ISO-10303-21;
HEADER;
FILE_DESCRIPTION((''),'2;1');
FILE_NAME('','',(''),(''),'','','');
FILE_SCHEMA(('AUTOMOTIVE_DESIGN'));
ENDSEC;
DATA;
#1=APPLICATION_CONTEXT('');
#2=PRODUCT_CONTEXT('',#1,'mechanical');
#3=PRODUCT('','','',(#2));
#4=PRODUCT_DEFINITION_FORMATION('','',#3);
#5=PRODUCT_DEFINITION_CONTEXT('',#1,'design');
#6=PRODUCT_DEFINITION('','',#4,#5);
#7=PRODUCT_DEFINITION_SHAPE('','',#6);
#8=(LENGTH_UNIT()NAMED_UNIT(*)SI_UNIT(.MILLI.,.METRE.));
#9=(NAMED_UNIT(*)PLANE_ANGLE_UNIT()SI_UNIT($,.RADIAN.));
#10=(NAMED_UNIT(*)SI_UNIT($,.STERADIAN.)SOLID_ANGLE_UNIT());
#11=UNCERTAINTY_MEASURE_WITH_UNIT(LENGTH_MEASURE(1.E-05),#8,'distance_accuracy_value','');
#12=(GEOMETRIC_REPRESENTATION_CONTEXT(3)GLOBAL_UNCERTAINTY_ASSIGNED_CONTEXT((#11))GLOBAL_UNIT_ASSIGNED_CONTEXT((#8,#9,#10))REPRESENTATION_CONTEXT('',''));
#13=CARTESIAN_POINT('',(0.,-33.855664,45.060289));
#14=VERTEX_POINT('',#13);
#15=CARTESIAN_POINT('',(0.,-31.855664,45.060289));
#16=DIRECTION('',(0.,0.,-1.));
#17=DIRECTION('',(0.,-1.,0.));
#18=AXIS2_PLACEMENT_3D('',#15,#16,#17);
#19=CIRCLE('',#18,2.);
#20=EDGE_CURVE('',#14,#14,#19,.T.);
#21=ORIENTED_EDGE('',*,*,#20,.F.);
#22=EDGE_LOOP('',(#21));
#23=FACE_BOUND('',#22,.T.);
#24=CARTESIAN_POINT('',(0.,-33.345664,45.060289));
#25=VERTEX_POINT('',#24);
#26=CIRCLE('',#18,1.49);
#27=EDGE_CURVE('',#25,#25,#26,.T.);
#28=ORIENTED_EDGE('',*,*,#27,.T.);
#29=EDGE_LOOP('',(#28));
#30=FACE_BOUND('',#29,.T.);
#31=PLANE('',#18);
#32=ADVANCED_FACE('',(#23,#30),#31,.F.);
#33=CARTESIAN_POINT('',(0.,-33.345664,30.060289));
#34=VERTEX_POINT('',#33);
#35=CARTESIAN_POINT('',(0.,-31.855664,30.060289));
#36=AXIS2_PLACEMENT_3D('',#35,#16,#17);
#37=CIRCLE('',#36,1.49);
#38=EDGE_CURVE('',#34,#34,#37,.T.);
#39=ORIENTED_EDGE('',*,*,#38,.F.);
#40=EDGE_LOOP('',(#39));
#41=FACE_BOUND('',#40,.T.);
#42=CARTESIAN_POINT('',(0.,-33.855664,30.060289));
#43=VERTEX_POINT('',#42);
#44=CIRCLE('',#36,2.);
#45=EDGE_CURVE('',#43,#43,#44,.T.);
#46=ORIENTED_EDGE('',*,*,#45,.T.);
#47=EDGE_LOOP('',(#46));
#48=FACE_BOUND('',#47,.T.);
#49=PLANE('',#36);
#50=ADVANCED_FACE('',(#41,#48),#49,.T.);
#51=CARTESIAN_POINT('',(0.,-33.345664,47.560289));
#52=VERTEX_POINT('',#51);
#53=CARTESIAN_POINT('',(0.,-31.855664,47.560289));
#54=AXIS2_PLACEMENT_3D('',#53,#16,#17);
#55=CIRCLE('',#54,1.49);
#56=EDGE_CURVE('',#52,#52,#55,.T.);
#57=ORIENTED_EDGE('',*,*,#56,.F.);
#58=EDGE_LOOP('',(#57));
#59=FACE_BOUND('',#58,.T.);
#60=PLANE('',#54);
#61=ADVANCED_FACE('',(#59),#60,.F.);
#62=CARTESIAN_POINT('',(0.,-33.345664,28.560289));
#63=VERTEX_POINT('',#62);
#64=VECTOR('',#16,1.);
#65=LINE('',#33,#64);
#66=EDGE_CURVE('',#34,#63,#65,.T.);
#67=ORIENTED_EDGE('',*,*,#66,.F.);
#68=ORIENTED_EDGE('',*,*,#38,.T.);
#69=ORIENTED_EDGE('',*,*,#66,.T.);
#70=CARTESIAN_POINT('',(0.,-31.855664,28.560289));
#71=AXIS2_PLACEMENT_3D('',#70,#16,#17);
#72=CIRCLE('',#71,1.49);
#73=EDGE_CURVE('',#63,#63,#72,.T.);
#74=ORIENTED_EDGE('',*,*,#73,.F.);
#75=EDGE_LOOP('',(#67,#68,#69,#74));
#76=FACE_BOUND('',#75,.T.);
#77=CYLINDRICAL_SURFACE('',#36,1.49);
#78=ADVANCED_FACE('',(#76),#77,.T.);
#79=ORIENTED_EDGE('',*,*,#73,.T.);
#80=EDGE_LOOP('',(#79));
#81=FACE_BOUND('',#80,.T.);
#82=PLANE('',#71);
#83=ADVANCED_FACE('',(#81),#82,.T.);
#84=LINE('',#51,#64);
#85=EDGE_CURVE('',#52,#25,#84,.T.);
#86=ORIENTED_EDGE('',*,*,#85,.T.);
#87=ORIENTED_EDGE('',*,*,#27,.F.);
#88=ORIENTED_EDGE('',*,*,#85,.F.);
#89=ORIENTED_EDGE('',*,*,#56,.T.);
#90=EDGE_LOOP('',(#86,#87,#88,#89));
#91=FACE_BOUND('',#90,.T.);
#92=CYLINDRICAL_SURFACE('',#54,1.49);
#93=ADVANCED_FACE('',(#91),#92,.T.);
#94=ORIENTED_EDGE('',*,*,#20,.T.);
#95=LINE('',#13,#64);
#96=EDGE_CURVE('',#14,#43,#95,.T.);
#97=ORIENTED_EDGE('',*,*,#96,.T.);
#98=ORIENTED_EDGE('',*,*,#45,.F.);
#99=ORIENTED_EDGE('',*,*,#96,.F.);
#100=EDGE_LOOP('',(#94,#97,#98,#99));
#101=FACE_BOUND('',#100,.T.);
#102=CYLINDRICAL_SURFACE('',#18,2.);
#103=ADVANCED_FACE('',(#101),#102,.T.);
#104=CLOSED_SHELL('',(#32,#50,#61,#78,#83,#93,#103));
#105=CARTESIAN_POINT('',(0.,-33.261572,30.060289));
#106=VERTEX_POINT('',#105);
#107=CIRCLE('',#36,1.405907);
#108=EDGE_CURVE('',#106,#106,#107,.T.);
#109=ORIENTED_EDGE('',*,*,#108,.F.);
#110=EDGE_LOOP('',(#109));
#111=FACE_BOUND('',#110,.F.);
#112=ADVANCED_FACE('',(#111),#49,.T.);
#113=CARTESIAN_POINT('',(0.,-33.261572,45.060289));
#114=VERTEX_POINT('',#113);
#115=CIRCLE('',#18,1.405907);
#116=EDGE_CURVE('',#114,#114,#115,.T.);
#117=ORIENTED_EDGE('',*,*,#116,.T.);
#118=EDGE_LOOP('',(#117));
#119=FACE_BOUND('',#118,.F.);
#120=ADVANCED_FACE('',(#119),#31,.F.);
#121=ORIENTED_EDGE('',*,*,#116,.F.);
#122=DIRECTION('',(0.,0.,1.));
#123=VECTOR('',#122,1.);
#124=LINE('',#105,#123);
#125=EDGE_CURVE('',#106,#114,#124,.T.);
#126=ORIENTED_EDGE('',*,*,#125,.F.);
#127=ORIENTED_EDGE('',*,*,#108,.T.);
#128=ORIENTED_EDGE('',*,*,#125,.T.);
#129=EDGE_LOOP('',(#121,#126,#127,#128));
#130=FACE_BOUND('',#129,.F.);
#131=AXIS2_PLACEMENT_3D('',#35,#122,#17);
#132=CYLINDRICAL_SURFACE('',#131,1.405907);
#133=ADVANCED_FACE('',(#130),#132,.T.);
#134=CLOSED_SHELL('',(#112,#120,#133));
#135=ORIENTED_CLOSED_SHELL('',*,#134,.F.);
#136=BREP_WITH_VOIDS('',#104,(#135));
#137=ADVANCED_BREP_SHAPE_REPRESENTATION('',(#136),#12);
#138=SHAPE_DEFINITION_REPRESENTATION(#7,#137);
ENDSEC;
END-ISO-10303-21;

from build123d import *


with BuildPart() as f1:
    # F0 (on Right) → F1 (revolve)
    with BuildSketch(Plane.YZ):
        Polygon((-33.3456643127, 30.0602890267), (-33.2615717583, 30.0602890267), (-33.2615717583, 32.329430738), (-33.2615717583, 42.8342466983), (-33.2615717583, 45.0602890267), (-33.3456643127, 45.0602890267), (-33.8556643127, 45.0602890267), (-33.8556643127, 30.0602890267), align=None)
        Polygon((-33.2615717583, 45.0602890267), (-31.8556643127, 45.0602890267), (-31.8556643127, 47.5602890267), (-33.3456643127, 47.5602890267), (-33.3456643127, 45.0602890267), align=None)
        Polygon((-31.8556643127, 28.5602890267), (-31.8556643127, 30.0602890267), (-33.2615717583, 30.0602890267), (-33.3456643127, 30.0602890267), (-33.3456643127, 28.5602890267), align=None)
    revolve(axis=Axis((0, -31.8556643127, 37.5602890267), (0, 0, -1)))


solid = f1.part
